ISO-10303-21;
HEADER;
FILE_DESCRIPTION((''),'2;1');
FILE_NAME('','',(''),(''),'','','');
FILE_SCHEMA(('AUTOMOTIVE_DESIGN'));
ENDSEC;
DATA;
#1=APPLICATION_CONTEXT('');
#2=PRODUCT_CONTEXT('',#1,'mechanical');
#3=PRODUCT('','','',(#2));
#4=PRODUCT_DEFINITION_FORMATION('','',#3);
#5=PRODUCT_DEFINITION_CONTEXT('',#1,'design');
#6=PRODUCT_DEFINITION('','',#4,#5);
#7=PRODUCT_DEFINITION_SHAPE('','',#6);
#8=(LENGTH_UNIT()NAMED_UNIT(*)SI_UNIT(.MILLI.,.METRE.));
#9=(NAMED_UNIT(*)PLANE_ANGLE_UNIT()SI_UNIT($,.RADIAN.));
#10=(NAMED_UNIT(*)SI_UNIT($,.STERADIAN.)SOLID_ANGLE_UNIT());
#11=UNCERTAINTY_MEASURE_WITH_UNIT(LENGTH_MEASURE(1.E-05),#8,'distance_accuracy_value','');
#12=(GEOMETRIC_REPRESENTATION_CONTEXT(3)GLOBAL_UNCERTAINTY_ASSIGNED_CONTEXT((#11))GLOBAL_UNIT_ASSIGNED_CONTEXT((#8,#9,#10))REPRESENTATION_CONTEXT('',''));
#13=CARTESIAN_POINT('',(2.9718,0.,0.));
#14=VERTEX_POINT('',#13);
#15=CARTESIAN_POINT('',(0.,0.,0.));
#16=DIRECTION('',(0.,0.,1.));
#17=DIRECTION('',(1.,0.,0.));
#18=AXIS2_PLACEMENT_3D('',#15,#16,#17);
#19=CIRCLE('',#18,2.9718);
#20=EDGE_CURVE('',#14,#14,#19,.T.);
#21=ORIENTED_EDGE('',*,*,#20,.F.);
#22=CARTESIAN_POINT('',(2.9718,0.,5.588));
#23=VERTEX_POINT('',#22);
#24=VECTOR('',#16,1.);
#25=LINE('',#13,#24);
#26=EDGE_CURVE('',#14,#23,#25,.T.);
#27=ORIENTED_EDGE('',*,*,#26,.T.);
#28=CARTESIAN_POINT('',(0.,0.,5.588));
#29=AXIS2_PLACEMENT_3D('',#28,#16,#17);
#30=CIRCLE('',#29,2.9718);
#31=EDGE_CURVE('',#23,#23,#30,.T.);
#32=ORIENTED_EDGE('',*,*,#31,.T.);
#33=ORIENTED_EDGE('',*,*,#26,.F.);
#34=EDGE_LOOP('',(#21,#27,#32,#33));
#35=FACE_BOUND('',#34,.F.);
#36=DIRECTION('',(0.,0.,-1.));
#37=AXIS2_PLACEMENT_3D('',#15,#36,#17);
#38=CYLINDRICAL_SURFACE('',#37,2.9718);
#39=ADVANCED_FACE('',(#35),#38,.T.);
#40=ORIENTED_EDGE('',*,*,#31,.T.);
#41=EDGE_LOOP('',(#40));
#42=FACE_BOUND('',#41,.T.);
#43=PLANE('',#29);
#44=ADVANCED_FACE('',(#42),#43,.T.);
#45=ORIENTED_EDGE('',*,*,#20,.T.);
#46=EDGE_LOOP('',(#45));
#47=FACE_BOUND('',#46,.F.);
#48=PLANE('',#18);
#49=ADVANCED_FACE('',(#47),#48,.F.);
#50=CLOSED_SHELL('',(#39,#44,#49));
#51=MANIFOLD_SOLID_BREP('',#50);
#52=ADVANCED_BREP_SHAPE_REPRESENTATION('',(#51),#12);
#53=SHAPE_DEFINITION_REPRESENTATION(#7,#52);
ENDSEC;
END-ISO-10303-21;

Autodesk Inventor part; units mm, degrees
ref_plane "YZ Plane" through (0, 0, 0) normal (1, 0, 0) x (0, 1, 0)
ref_plane "XZ Plane" through (0, 0, 0) normal (0, 1, 0) x (-1, 0, 0)
ref_plane "XY Plane" through (0, 0, 0) normal (0, 0, 1) x (1, 0, 0)
sketch "Sketch1" plane through (0, 0, 0) normal (0, 0, 1) x (1, 0, 0)
  circle A0 centre (0, 0) radius 2.9718
  dimension "d0" = 5.9436
extrude "Extrusion1" add sketch "Sketch1" along normal blind 5.588
properties part number "PushCover" material "ABS Plastic"
